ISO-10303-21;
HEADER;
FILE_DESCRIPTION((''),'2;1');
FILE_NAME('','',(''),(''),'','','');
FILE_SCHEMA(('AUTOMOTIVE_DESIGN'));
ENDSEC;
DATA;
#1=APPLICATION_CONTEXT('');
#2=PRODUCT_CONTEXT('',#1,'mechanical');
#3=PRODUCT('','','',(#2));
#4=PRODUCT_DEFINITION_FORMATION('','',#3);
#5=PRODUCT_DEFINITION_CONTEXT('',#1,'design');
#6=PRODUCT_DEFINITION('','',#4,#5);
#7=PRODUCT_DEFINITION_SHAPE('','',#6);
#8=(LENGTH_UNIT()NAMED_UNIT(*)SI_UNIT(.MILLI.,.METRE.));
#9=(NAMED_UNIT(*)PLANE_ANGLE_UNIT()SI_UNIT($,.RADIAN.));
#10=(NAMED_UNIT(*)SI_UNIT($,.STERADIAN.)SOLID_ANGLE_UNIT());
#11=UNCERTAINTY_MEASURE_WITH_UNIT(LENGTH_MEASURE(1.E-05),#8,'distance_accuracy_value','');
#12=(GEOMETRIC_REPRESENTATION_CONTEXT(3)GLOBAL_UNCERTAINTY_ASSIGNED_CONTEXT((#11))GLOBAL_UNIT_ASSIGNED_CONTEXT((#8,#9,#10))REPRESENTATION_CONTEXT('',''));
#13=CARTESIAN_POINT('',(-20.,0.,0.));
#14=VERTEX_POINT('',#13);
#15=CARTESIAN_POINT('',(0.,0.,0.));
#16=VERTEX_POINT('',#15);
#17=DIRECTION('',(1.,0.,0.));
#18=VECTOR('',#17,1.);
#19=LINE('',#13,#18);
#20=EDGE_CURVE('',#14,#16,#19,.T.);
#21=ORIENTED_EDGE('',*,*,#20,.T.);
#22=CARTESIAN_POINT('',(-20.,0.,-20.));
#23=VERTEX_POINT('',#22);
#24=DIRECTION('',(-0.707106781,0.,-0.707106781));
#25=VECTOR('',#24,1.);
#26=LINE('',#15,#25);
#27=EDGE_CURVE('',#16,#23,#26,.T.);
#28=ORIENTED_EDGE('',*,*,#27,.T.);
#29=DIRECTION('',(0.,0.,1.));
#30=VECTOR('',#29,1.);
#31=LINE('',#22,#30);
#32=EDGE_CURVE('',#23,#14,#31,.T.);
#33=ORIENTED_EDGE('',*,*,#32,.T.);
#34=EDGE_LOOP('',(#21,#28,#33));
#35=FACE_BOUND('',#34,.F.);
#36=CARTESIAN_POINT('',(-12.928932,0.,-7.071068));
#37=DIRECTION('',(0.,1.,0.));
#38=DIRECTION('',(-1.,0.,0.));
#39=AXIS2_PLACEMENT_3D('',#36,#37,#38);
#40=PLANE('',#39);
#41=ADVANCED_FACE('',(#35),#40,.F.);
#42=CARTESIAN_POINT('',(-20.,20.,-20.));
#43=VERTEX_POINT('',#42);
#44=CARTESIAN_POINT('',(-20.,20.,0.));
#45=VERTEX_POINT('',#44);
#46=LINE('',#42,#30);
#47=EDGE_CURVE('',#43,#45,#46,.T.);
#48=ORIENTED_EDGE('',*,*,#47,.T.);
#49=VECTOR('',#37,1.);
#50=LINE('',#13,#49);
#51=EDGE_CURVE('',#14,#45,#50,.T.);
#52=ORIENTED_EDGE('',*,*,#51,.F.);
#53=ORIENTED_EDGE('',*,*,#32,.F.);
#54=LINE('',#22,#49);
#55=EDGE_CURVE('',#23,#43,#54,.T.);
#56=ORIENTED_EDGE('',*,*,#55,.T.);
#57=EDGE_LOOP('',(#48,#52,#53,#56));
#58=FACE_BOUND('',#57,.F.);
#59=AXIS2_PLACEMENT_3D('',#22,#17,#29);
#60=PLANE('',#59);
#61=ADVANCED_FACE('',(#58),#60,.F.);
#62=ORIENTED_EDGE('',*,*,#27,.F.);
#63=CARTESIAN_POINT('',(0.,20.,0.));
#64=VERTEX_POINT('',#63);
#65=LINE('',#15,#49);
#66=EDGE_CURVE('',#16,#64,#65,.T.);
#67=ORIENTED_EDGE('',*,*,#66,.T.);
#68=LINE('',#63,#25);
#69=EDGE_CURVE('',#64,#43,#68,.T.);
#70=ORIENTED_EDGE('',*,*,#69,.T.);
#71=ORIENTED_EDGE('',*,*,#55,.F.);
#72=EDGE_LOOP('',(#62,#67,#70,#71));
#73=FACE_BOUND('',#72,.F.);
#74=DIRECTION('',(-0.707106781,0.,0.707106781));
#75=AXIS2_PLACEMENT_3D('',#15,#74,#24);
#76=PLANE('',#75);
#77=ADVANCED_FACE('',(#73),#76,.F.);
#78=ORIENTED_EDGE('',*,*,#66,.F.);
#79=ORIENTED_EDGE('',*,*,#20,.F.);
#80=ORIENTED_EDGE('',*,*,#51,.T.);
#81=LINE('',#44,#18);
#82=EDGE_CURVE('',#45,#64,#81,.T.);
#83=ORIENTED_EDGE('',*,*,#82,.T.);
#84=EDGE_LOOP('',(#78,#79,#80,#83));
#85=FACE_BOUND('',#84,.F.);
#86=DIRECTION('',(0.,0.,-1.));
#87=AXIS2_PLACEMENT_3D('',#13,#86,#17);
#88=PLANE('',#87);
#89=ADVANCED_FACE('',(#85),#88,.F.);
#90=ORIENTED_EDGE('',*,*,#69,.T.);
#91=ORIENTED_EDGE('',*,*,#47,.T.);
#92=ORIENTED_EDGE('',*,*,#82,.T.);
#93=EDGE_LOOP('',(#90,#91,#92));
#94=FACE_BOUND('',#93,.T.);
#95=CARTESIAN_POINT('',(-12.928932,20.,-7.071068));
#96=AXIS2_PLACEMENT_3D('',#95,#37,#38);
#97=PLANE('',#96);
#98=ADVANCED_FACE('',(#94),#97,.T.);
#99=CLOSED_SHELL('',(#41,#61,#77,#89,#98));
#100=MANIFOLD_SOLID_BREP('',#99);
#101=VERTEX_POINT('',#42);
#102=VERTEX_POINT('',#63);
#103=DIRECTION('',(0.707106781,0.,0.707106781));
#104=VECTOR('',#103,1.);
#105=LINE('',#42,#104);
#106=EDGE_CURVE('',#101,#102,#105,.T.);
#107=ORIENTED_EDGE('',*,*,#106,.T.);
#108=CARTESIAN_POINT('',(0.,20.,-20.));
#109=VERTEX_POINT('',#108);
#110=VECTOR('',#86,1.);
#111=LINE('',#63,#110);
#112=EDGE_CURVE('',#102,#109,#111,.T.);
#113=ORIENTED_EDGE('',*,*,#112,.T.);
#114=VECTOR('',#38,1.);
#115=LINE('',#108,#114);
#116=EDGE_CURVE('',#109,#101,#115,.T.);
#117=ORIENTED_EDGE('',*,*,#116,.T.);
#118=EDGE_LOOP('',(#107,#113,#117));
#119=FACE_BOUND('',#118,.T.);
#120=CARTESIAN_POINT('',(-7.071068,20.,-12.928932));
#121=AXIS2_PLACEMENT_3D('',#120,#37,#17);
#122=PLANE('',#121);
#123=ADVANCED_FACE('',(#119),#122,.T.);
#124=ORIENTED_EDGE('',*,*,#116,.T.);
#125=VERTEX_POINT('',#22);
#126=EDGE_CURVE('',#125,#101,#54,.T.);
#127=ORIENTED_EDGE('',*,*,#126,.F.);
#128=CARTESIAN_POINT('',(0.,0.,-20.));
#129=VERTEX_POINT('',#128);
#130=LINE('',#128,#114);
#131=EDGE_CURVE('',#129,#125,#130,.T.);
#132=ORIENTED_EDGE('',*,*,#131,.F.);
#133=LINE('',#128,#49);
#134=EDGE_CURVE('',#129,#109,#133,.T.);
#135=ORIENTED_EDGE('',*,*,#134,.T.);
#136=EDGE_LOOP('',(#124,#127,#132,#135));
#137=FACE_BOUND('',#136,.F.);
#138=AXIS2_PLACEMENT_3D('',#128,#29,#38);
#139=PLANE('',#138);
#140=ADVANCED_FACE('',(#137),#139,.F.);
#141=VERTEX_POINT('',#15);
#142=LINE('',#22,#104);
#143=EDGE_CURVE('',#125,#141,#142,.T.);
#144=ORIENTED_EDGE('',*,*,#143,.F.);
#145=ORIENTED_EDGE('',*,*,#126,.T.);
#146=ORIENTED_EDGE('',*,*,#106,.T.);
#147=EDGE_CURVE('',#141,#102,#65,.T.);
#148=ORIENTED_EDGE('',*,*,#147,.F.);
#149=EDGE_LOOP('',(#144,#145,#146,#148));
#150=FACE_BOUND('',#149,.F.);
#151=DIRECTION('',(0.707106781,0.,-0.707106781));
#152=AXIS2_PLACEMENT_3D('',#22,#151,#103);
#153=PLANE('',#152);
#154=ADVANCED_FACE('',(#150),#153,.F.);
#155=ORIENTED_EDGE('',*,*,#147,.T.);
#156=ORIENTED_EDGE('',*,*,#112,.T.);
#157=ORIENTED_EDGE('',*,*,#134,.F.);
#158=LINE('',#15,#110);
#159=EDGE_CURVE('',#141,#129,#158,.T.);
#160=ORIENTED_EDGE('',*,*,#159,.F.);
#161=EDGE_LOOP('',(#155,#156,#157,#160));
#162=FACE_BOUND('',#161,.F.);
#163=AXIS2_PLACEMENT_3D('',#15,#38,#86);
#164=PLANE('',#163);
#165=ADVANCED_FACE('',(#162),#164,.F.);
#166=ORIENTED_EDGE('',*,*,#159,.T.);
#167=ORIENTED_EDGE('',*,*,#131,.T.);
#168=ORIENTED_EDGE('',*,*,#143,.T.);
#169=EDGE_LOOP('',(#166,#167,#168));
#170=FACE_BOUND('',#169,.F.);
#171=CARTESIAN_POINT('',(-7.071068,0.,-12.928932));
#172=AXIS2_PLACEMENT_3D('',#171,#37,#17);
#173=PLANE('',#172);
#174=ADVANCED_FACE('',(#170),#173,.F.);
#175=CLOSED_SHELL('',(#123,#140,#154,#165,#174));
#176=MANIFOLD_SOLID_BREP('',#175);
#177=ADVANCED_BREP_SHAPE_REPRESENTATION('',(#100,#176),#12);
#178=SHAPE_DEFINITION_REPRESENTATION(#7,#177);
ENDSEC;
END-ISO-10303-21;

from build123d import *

# Parameters (mm, degrees)
EXTRUDE_1_DEPTH = 20
EXTRUDE_2_DEPTH = 20


with BuildPart() as part:
    # 草图1 → 凸台-拉伸1 (new body)
    with BuildSketch(Plane(origin=(0, 0, 0), x_dir=(1, 0, 0), z_dir=(0, 1, 0))):
        Polygon((0, 0), (0, 20), (-20, 20), align=None)
    extrude(amount=EXTRUDE_1_DEPTH)


with BuildPart() as body_2:
    # 草图2 → 凸台-拉伸2 (new body)
    with BuildSketch(Plane.XZ):
        Polygon((-20, -20), (-20, 0), (0, 0), align=None)
    extrude(amount=-EXTRUDE_2_DEPTH)


solid = Compound([part.part, body_2.part])
